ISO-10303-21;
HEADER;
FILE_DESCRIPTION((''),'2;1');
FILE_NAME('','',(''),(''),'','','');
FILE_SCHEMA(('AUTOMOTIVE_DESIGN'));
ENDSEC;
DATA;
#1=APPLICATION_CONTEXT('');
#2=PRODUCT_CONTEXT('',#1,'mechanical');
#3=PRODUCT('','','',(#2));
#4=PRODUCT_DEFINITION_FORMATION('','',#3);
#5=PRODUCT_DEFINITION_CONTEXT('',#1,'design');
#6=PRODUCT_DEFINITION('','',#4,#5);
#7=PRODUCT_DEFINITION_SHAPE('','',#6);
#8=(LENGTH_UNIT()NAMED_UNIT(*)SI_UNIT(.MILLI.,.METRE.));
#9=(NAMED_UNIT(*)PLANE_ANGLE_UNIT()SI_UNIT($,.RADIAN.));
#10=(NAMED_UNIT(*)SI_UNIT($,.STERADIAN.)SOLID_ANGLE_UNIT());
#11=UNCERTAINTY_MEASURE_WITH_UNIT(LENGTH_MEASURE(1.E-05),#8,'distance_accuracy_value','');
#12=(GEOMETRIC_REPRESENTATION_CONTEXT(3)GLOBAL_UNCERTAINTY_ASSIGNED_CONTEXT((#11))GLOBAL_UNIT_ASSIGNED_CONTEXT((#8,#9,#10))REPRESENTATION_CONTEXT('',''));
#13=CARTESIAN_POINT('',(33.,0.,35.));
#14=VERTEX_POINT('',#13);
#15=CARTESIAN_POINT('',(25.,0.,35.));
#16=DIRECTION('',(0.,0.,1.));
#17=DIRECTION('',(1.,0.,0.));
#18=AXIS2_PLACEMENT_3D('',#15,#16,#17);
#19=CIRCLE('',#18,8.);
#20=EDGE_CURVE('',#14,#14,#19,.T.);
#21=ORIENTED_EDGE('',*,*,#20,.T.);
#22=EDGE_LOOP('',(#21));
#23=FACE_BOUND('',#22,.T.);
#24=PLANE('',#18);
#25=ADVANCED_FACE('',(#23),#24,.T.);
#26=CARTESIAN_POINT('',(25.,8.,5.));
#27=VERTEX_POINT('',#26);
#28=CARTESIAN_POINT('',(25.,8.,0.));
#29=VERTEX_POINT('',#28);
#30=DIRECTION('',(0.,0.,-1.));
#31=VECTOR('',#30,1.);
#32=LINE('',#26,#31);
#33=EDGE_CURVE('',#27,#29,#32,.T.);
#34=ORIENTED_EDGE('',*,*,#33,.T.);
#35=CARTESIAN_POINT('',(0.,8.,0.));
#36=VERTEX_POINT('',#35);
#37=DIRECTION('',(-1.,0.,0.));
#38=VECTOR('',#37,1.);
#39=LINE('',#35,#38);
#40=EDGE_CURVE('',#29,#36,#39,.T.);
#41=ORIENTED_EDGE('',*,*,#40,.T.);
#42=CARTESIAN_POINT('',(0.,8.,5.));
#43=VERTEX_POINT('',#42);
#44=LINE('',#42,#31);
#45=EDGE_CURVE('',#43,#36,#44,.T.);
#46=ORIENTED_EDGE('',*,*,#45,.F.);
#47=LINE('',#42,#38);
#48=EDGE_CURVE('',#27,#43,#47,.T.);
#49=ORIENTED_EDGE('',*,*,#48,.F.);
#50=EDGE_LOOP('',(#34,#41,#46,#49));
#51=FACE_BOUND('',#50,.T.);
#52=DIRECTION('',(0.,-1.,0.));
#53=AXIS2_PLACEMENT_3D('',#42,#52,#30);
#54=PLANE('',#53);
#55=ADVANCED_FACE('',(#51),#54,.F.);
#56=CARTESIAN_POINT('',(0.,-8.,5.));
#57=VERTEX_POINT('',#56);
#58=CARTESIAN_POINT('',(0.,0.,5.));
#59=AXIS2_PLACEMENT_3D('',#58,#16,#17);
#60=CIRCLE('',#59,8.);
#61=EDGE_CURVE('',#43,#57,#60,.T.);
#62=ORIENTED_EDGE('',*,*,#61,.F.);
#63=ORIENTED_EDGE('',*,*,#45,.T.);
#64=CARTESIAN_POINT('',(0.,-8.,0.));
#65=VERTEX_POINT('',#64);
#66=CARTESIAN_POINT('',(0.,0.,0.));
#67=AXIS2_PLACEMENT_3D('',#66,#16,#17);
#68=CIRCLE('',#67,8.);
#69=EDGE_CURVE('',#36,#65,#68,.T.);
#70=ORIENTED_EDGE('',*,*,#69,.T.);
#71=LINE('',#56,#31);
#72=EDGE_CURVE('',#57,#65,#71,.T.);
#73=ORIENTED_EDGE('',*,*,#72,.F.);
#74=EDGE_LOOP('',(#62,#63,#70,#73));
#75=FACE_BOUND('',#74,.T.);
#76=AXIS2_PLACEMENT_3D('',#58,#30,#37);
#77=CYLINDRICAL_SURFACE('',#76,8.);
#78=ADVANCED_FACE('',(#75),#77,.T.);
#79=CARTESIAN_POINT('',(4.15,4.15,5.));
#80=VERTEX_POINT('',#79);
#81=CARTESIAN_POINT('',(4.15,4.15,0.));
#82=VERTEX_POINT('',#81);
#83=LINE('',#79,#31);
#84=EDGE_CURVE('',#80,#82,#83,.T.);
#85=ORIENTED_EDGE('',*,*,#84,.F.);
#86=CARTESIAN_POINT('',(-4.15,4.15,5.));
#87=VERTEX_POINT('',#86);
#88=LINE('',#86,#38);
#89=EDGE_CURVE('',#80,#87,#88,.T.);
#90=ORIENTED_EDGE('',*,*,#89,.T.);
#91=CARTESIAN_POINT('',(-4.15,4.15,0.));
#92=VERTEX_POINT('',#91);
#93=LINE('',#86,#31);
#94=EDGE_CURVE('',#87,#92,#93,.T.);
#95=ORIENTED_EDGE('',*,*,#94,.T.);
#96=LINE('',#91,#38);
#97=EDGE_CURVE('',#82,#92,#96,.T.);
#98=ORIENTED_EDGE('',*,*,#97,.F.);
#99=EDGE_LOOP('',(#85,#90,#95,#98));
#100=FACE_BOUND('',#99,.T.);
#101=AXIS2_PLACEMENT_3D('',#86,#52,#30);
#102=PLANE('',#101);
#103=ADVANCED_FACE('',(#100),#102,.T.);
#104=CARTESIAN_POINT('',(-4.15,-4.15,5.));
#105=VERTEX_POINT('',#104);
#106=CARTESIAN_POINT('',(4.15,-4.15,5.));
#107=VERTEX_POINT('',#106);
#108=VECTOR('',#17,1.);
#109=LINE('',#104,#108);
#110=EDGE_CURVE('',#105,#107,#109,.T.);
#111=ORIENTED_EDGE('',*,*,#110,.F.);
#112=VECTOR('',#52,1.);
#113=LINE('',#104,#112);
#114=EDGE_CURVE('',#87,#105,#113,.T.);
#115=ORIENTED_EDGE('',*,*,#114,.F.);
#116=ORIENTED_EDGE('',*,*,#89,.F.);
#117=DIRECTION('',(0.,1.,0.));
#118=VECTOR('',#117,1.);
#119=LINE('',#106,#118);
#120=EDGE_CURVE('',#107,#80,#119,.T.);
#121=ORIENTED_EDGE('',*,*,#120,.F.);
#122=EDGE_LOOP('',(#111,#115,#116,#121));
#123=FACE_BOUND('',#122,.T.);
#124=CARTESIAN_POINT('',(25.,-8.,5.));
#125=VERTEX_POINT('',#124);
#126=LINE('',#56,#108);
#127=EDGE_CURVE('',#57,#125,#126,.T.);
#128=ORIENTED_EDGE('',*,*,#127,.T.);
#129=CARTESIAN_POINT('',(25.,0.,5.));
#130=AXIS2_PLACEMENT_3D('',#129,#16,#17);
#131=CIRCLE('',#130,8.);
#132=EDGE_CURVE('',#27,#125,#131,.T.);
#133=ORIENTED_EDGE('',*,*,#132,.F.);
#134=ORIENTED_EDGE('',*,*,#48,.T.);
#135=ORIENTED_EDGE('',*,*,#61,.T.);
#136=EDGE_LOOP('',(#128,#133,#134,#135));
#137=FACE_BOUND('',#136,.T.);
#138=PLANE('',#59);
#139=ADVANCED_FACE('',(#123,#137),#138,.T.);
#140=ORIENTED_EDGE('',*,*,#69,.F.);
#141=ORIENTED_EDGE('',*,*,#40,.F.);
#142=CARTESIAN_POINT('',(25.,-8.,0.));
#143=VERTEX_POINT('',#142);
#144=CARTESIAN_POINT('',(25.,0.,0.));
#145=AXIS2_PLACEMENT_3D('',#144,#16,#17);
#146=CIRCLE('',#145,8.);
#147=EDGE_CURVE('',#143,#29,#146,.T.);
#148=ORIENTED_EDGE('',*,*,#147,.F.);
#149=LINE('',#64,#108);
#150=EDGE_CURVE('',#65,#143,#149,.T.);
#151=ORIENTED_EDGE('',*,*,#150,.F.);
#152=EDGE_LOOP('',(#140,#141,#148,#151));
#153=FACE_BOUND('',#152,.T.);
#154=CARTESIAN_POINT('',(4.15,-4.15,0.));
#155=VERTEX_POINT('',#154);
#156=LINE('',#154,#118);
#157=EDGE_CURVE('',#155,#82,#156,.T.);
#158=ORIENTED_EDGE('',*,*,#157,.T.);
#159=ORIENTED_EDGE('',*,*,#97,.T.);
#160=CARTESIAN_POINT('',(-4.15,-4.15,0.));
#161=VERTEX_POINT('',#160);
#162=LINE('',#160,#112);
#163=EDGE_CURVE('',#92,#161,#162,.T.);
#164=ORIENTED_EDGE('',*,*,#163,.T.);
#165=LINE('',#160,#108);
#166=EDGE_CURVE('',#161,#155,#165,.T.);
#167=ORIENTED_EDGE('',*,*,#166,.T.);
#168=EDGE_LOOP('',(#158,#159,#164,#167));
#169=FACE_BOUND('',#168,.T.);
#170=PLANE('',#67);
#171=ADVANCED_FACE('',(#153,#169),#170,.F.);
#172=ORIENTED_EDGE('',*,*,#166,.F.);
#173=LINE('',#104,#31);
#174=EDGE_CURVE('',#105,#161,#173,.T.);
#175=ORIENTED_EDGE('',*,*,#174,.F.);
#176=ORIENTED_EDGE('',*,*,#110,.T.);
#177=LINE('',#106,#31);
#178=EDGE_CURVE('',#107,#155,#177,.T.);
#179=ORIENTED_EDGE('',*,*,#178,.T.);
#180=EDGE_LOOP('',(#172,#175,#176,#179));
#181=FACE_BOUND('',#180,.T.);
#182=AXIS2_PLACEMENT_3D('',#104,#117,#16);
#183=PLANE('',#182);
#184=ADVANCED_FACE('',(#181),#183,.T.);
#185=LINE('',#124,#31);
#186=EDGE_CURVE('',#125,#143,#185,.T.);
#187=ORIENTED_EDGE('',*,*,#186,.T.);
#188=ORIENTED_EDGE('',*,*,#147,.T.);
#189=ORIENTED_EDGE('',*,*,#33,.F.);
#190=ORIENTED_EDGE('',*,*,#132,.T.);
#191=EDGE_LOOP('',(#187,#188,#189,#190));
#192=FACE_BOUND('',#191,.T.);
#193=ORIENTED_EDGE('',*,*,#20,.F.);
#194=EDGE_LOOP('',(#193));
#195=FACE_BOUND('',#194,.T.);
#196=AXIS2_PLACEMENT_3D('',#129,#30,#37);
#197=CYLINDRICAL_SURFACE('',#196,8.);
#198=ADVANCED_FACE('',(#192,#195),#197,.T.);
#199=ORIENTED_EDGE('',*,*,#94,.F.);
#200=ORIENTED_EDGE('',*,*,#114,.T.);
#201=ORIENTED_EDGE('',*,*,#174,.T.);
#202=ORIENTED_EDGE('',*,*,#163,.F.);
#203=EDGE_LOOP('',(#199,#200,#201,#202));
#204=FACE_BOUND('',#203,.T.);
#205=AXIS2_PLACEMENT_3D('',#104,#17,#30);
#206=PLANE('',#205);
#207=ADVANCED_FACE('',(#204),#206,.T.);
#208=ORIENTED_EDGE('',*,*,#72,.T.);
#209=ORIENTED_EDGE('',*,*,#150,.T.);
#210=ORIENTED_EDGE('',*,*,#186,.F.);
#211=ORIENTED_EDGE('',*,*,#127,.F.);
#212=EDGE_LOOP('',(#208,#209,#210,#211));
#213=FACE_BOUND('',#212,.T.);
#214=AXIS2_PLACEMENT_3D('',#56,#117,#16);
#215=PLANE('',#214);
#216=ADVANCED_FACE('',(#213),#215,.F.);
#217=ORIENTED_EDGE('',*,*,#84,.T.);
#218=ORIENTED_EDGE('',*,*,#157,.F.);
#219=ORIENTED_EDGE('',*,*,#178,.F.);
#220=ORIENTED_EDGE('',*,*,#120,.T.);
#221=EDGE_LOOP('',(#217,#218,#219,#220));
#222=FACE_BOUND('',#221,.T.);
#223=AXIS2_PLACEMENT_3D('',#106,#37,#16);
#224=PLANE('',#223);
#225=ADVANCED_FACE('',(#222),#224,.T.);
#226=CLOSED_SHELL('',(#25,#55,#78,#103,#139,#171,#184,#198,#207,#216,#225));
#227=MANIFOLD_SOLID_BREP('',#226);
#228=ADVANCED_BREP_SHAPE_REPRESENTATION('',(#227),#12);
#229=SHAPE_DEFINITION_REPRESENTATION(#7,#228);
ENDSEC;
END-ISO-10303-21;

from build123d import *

# Parameters (mm, degrees)
SKETCH1_W           = 8.3
SKETCH1_H           = 8.3
BOSS_EXTRUDE1_DEPTH = 5
SKETCH2_R           = 8
BOSS_EXTRUDE2_DEPTH = 30


with BuildPart() as part:
    # Sketch1 → Boss-Extrude1 (new body)
    with BuildSketch(Plane.XY):
        with BuildLine():
            Line((0, 8), (25, 8))
            ThreePointArc((25, 8), (33, 0), (25, -8))
            Line((25, -8), (0, -8))
            ThreePointArc((0, -8), (-8, 0), (0, 8))
        make_face()
        Rectangle(SKETCH1_W, SKETCH1_H, mode=Mode.SUBTRACT)
    extrude(amount=BOSS_EXTRUDE1_DEPTH)

    # Sketch2 → Boss-Extrude2 (add)
    with BuildSketch(Plane.XY.offset(5)):
        with Locations(Location((25, 0, 0), (0, 0, 90))):
            Circle(SKETCH2_R)
    extrude(amount=BOSS_EXTRUDE2_DEPTH)


solid = part.part
